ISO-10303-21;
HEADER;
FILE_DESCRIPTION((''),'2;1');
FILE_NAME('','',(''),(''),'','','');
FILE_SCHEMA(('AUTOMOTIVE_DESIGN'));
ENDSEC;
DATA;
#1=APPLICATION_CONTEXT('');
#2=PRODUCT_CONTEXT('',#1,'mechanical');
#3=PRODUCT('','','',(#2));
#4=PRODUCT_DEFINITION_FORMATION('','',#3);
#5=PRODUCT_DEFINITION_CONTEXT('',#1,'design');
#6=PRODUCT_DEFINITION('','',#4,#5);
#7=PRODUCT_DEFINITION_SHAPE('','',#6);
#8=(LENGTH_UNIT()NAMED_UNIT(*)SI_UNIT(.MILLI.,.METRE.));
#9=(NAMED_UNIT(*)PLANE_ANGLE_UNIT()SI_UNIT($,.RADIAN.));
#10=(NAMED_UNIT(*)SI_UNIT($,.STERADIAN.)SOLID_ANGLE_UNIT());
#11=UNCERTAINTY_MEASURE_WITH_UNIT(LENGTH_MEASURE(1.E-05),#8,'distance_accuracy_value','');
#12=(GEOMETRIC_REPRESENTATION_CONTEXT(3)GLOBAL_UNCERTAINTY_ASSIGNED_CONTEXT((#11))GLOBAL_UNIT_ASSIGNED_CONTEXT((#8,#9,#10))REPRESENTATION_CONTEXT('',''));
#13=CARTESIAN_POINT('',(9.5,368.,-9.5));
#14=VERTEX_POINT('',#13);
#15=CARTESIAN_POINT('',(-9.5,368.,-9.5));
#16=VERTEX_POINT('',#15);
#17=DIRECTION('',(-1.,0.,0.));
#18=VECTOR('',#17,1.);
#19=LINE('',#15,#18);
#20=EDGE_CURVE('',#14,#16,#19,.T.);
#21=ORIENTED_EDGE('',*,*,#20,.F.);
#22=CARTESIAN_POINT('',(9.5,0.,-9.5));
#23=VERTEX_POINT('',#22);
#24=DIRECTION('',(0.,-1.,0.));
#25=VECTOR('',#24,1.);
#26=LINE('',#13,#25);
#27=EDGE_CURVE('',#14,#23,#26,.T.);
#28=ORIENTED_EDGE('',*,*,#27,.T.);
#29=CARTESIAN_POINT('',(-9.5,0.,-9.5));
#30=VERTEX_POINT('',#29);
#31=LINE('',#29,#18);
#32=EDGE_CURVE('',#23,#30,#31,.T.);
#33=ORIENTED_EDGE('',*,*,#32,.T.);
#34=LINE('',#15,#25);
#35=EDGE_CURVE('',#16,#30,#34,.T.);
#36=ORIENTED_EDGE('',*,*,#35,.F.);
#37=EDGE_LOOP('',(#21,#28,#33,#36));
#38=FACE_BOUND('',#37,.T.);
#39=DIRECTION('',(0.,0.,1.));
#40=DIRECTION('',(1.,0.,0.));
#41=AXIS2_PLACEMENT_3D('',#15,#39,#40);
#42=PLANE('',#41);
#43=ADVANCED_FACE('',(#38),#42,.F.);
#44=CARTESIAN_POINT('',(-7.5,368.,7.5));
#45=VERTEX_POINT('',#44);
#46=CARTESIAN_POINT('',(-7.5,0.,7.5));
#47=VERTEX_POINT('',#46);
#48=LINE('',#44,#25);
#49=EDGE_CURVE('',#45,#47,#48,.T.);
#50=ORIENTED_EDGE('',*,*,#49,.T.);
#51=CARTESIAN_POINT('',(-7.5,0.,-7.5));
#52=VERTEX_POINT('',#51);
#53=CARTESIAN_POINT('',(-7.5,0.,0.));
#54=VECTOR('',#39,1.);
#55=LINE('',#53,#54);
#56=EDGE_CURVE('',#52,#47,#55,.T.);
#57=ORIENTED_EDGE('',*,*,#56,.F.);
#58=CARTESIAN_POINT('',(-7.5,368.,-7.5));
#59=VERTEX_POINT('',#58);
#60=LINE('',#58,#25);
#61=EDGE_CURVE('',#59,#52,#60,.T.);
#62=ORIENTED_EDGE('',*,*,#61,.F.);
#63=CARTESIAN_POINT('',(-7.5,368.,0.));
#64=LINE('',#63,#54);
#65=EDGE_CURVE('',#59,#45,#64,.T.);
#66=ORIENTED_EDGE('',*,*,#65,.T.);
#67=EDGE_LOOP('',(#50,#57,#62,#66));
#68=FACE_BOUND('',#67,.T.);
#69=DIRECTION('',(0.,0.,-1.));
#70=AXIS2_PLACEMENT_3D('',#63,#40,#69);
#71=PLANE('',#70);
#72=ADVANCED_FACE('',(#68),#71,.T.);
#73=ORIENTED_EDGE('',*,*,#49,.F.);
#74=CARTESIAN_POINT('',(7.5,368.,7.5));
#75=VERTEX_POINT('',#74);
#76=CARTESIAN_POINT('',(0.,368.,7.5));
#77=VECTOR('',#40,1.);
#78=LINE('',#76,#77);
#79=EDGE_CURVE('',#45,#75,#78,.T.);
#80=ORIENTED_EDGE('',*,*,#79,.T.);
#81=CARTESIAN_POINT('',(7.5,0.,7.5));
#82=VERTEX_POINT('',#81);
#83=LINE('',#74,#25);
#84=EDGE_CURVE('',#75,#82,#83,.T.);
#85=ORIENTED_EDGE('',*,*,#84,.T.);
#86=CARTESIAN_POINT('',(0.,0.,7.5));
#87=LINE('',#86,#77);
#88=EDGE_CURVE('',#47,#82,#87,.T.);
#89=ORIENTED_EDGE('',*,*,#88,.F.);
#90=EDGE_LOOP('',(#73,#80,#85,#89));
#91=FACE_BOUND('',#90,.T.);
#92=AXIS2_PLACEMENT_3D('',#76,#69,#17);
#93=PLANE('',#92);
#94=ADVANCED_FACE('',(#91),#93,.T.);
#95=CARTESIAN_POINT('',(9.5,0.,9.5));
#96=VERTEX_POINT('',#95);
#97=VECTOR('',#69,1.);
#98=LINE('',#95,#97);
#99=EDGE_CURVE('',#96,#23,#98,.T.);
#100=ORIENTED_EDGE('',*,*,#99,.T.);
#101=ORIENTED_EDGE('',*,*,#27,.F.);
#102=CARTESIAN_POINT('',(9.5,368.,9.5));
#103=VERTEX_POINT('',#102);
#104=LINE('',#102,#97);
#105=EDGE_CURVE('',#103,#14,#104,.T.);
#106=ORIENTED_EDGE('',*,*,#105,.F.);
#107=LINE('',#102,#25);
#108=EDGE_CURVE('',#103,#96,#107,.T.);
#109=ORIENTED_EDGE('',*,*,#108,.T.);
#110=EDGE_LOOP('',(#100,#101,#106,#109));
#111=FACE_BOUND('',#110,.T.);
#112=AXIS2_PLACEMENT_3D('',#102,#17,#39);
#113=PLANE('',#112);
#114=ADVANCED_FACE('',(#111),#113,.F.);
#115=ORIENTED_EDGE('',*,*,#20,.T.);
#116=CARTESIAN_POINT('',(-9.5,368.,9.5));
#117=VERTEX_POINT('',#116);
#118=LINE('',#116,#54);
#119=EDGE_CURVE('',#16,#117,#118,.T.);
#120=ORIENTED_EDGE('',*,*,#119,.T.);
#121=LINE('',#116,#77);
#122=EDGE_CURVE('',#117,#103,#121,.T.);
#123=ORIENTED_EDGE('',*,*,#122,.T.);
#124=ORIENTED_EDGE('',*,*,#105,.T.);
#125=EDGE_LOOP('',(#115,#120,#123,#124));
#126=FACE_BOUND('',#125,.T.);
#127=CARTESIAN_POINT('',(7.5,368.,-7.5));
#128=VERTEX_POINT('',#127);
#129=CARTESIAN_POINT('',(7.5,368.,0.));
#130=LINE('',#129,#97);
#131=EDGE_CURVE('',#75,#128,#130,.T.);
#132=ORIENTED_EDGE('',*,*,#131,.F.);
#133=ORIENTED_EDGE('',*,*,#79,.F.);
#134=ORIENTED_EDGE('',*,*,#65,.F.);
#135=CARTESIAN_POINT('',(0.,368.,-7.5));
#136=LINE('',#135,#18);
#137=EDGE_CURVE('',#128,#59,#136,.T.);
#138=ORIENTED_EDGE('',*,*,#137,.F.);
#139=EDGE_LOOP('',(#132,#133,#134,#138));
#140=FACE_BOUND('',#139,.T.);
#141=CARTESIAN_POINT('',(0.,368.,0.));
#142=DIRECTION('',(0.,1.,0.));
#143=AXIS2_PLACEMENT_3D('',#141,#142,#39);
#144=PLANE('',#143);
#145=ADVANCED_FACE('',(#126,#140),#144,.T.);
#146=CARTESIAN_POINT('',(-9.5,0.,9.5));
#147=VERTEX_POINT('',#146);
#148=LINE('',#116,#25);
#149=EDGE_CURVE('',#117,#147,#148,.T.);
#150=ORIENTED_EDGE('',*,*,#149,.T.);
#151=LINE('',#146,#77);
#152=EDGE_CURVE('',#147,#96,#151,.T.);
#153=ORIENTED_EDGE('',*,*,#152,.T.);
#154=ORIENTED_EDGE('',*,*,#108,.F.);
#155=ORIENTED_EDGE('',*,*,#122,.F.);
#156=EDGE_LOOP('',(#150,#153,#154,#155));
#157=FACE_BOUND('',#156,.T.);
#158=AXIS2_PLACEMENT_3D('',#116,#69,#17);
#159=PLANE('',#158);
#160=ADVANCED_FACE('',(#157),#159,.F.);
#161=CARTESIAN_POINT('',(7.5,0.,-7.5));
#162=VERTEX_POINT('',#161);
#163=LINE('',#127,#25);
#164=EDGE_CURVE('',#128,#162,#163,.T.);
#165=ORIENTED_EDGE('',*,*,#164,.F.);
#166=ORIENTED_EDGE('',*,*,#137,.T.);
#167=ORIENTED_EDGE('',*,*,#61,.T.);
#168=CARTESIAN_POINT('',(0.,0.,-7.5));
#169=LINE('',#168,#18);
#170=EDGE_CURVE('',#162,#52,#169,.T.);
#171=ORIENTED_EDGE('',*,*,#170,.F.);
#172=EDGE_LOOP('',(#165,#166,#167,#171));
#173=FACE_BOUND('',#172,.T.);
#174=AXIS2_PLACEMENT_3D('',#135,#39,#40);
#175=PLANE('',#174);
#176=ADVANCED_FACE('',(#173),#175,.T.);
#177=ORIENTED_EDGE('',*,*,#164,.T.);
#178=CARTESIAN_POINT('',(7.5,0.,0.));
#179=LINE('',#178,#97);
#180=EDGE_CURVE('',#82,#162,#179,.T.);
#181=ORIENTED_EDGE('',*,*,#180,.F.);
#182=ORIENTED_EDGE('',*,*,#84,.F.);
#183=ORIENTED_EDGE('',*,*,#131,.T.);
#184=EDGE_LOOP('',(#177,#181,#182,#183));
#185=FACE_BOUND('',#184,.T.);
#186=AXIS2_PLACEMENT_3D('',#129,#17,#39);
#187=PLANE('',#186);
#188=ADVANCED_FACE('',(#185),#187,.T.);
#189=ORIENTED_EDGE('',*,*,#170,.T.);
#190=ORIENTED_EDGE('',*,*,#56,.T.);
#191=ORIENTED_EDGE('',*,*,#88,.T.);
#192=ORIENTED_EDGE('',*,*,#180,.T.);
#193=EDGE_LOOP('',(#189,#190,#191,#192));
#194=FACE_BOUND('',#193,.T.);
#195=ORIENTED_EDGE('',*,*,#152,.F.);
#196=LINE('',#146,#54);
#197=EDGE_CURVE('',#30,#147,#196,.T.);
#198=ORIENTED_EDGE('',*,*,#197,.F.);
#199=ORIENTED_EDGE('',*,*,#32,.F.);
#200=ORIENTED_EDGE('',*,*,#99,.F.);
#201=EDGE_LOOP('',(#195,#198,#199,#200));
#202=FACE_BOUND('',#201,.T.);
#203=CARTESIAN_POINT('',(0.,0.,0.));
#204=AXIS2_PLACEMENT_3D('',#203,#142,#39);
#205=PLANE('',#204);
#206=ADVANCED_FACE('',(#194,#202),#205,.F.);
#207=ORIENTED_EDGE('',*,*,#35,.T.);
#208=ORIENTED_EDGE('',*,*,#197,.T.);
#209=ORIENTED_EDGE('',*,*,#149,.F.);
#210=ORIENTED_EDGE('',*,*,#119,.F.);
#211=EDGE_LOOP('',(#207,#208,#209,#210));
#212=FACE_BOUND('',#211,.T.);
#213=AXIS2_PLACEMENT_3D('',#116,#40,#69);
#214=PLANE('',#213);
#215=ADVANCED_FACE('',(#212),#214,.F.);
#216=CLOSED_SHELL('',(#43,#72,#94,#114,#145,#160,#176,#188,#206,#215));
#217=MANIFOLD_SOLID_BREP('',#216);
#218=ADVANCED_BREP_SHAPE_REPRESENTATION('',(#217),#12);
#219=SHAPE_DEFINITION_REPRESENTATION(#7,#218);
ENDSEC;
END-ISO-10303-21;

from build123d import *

# Parameters (mm, degrees)
SKETCH1_W           = 19
SKETCH1_H           = 19
SKETCH1_W_2         = 15
SKETCH1_H_2         = 15
EXTRUDE_THIN1_DEPTH = 368


with BuildPart() as part:
    # Sketch1 → Extrude-Thin1 (new body)
    with BuildSketch(Plane(origin=(0, 0, 0), x_dir=(1, 0, 0), z_dir=(0, 1, 0))):
        Rectangle(SKETCH1_W, SKETCH1_H)
        Rectangle(SKETCH1_W_2, SKETCH1_H_2, mode=Mode.SUBTRACT)
    extrude(amount=EXTRUDE_THIN1_DEPTH)


solid = part.part
